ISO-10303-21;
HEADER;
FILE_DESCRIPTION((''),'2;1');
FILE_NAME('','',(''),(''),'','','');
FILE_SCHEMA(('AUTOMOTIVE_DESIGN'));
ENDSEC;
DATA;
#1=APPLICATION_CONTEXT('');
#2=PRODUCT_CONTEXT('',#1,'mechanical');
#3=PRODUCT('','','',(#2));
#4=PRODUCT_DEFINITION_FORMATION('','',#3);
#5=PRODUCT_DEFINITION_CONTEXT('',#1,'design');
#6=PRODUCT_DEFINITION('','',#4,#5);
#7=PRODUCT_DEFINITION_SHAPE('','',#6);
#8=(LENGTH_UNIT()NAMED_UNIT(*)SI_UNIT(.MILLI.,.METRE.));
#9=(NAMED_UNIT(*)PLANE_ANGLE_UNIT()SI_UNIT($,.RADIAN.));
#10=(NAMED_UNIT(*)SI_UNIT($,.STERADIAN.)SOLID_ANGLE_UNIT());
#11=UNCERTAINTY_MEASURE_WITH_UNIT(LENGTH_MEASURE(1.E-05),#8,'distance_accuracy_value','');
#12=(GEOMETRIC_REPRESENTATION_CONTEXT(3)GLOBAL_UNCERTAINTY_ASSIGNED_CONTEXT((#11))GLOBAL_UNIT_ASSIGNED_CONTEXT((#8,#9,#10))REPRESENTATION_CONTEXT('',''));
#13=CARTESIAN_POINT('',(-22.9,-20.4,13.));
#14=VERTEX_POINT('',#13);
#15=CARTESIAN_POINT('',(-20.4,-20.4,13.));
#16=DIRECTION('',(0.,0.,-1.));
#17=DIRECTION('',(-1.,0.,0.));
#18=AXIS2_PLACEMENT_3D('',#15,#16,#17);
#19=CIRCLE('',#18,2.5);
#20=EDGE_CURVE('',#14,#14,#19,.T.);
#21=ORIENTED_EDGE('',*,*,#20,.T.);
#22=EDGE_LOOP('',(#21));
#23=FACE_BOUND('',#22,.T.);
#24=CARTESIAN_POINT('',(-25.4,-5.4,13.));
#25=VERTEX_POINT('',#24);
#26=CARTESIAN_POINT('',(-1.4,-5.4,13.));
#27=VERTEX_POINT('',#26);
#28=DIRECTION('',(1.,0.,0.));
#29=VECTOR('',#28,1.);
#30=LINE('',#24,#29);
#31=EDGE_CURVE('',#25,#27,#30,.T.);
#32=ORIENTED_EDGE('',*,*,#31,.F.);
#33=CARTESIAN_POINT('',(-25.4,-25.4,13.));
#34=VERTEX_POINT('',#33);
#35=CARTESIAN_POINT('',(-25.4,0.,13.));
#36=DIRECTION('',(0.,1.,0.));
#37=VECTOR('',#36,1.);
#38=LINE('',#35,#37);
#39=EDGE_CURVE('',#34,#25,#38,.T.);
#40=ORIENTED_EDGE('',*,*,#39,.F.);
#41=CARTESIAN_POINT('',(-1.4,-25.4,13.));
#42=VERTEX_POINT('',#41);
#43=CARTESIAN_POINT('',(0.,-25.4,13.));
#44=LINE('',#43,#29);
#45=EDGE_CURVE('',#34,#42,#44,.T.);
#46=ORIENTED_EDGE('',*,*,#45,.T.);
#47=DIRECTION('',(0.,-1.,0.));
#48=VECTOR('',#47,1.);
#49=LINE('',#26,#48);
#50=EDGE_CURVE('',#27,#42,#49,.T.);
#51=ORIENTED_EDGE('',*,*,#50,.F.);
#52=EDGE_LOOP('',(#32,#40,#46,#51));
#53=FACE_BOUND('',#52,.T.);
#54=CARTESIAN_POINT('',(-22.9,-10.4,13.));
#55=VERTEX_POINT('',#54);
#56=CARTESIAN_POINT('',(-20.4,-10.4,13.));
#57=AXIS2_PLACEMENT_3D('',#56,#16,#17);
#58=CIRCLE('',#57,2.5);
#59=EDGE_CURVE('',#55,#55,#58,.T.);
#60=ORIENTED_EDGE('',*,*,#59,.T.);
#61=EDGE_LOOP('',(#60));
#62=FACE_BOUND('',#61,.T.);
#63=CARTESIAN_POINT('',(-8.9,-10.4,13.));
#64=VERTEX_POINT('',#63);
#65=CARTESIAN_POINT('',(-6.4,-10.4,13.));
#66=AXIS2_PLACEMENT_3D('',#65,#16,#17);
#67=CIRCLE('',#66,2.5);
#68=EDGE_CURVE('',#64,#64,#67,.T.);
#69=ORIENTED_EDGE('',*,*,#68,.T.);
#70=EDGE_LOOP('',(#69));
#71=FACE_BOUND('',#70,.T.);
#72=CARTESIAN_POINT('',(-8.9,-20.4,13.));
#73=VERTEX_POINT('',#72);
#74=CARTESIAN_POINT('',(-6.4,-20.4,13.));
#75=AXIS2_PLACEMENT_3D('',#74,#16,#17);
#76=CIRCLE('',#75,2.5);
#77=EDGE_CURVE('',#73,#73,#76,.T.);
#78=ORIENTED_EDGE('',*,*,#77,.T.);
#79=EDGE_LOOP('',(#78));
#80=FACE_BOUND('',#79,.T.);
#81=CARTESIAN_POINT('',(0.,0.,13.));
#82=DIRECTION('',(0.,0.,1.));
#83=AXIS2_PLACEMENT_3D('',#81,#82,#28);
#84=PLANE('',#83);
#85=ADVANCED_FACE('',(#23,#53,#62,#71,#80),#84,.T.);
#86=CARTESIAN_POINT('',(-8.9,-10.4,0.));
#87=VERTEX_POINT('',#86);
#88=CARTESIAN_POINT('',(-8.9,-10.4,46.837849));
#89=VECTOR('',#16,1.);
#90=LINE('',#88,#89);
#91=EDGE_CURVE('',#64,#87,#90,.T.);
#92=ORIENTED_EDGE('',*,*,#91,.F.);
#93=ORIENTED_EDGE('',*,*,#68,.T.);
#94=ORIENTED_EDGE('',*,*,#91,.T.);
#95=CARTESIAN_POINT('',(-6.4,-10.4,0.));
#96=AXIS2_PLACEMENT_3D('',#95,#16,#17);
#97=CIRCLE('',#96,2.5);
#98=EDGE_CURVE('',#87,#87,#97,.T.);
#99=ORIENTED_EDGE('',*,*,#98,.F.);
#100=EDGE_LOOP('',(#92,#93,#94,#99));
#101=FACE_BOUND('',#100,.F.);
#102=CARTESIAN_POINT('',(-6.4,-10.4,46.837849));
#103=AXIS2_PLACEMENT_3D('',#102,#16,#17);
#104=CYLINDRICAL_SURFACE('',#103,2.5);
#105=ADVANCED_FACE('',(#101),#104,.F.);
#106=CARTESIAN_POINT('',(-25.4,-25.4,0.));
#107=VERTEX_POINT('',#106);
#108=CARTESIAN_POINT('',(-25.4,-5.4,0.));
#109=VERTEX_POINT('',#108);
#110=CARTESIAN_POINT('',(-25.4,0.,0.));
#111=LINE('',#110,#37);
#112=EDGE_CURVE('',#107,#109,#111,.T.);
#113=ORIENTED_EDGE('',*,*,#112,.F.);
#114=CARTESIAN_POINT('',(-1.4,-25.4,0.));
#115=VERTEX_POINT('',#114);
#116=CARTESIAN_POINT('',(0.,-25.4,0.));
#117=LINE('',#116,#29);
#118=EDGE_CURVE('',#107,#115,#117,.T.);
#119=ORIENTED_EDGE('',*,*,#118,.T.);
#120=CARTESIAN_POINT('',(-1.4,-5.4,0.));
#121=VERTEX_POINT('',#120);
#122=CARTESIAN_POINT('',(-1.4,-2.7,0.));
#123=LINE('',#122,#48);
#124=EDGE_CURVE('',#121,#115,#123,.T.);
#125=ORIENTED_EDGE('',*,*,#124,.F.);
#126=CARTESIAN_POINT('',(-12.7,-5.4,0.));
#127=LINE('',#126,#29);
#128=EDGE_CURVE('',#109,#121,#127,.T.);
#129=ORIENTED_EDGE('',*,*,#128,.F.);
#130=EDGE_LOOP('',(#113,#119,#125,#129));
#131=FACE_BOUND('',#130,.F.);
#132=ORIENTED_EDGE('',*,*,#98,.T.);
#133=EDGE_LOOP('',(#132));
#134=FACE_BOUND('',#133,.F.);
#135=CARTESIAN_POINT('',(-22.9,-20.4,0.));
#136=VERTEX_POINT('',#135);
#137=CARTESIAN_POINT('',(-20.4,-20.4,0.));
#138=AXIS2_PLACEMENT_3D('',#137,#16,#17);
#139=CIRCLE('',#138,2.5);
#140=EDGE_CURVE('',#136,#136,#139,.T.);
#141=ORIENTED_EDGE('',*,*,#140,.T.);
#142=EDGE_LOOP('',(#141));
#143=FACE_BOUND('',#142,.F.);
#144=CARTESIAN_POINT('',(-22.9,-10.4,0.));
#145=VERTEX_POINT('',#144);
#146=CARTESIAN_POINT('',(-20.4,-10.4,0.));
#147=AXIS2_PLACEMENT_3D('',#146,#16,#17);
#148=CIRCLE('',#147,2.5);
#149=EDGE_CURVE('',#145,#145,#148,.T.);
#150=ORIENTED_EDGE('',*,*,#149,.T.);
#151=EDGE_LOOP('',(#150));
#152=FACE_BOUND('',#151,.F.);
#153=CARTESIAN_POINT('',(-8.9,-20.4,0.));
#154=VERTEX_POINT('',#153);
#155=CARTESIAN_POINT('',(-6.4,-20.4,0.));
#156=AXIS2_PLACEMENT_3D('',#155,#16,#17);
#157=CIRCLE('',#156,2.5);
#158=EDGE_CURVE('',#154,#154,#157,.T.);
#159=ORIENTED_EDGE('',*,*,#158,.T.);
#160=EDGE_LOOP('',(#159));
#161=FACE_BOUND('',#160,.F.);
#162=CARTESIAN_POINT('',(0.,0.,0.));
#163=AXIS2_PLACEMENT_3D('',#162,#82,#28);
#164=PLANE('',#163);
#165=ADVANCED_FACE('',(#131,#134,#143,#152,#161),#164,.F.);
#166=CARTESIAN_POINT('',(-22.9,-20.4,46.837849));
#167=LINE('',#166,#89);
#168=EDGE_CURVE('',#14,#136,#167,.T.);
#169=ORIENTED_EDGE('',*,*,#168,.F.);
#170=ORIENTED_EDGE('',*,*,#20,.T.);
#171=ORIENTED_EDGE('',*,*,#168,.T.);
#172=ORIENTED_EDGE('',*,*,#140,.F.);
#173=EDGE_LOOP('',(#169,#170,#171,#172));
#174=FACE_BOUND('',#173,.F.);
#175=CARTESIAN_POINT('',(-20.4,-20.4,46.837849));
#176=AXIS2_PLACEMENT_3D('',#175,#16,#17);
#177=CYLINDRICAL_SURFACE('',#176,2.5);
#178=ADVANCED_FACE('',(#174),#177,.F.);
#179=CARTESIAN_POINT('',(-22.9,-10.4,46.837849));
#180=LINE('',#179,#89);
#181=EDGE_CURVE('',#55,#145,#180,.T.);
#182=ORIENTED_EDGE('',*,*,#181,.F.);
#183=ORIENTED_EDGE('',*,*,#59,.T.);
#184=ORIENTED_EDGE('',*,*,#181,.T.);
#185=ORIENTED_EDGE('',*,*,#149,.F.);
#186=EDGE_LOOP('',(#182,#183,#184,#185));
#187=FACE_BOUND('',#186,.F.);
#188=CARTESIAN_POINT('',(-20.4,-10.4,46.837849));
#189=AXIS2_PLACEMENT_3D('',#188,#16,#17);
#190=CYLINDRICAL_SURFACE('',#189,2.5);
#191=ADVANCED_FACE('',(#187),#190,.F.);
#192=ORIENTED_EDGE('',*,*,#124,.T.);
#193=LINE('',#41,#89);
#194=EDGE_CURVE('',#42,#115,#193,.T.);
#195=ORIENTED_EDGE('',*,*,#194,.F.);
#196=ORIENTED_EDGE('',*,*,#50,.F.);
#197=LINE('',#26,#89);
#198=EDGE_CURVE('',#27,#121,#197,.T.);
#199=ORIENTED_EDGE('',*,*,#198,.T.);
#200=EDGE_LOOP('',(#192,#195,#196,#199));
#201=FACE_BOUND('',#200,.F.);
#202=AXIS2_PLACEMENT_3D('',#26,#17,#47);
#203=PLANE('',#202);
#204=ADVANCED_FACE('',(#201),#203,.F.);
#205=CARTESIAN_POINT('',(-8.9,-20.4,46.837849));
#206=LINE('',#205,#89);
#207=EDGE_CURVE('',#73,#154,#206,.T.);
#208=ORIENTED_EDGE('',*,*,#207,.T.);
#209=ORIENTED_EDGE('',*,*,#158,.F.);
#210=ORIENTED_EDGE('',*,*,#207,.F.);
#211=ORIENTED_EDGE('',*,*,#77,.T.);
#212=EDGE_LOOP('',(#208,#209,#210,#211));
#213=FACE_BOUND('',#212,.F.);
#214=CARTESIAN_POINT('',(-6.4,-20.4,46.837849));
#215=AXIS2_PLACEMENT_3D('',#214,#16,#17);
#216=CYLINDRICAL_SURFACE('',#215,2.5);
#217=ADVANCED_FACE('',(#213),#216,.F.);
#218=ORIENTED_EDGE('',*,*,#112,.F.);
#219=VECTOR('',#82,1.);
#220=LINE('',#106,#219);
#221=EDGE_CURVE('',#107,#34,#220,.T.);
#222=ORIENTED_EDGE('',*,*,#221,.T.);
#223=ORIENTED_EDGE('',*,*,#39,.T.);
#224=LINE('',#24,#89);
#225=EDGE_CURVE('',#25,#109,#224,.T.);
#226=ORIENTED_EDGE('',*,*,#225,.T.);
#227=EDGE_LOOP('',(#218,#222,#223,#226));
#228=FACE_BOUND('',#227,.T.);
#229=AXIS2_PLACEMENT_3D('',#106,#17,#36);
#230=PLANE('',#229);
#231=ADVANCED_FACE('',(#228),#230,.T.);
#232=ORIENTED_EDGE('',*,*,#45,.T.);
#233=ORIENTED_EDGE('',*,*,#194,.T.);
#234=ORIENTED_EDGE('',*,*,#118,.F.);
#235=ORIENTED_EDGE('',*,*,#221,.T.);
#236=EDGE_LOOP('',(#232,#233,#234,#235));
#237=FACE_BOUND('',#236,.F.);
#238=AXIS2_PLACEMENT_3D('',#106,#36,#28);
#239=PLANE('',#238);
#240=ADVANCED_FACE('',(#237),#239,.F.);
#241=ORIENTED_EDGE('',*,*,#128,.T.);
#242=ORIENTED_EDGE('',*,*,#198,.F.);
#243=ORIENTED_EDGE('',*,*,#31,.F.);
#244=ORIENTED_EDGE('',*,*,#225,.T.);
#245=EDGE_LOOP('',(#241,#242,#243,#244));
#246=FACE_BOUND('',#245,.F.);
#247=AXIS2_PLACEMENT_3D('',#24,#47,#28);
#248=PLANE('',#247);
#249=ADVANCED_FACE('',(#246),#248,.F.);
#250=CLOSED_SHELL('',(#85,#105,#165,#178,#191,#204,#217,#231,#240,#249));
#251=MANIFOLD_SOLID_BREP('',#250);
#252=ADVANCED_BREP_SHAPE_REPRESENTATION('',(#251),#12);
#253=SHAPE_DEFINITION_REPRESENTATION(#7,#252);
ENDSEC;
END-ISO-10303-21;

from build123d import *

# Parameters (mm, degrees)
F0_W     = 50.8
F0_H     = 50.8
F1_DEPTH = 13
F3_DEPTH = 16
F5_D     = 5


with BuildPart() as f1:
    # F0 (on Top) → F1 (new body)
    with BuildSketch(Plane.XY):
        Rectangle(F0_W, F0_H)
    extrude(amount=F1_DEPTH)

    # F2 (on face) → F3 (cut)
    with BuildSketch(Plane.XY.offset(13)):
        Polygon((-1.4, -5.4), (-1.4, -25.4), (25.4, -25.4), (25.4, 25.4), (-25.4, 25.4), (-25.4, -5.4), align=None)
    extrude(amount=-F3_DEPTH, mode=Mode.SUBTRACT)

    # F5 (through all)
    with Locations(Plane.XY.offset(13)):
        with Locations((-20.4, -10.4), (-20.4, -20.4), (-6.4, -10.4), (-6.4, -20.4)):
            Hole(F5_D / 2)


solid = f1.part
